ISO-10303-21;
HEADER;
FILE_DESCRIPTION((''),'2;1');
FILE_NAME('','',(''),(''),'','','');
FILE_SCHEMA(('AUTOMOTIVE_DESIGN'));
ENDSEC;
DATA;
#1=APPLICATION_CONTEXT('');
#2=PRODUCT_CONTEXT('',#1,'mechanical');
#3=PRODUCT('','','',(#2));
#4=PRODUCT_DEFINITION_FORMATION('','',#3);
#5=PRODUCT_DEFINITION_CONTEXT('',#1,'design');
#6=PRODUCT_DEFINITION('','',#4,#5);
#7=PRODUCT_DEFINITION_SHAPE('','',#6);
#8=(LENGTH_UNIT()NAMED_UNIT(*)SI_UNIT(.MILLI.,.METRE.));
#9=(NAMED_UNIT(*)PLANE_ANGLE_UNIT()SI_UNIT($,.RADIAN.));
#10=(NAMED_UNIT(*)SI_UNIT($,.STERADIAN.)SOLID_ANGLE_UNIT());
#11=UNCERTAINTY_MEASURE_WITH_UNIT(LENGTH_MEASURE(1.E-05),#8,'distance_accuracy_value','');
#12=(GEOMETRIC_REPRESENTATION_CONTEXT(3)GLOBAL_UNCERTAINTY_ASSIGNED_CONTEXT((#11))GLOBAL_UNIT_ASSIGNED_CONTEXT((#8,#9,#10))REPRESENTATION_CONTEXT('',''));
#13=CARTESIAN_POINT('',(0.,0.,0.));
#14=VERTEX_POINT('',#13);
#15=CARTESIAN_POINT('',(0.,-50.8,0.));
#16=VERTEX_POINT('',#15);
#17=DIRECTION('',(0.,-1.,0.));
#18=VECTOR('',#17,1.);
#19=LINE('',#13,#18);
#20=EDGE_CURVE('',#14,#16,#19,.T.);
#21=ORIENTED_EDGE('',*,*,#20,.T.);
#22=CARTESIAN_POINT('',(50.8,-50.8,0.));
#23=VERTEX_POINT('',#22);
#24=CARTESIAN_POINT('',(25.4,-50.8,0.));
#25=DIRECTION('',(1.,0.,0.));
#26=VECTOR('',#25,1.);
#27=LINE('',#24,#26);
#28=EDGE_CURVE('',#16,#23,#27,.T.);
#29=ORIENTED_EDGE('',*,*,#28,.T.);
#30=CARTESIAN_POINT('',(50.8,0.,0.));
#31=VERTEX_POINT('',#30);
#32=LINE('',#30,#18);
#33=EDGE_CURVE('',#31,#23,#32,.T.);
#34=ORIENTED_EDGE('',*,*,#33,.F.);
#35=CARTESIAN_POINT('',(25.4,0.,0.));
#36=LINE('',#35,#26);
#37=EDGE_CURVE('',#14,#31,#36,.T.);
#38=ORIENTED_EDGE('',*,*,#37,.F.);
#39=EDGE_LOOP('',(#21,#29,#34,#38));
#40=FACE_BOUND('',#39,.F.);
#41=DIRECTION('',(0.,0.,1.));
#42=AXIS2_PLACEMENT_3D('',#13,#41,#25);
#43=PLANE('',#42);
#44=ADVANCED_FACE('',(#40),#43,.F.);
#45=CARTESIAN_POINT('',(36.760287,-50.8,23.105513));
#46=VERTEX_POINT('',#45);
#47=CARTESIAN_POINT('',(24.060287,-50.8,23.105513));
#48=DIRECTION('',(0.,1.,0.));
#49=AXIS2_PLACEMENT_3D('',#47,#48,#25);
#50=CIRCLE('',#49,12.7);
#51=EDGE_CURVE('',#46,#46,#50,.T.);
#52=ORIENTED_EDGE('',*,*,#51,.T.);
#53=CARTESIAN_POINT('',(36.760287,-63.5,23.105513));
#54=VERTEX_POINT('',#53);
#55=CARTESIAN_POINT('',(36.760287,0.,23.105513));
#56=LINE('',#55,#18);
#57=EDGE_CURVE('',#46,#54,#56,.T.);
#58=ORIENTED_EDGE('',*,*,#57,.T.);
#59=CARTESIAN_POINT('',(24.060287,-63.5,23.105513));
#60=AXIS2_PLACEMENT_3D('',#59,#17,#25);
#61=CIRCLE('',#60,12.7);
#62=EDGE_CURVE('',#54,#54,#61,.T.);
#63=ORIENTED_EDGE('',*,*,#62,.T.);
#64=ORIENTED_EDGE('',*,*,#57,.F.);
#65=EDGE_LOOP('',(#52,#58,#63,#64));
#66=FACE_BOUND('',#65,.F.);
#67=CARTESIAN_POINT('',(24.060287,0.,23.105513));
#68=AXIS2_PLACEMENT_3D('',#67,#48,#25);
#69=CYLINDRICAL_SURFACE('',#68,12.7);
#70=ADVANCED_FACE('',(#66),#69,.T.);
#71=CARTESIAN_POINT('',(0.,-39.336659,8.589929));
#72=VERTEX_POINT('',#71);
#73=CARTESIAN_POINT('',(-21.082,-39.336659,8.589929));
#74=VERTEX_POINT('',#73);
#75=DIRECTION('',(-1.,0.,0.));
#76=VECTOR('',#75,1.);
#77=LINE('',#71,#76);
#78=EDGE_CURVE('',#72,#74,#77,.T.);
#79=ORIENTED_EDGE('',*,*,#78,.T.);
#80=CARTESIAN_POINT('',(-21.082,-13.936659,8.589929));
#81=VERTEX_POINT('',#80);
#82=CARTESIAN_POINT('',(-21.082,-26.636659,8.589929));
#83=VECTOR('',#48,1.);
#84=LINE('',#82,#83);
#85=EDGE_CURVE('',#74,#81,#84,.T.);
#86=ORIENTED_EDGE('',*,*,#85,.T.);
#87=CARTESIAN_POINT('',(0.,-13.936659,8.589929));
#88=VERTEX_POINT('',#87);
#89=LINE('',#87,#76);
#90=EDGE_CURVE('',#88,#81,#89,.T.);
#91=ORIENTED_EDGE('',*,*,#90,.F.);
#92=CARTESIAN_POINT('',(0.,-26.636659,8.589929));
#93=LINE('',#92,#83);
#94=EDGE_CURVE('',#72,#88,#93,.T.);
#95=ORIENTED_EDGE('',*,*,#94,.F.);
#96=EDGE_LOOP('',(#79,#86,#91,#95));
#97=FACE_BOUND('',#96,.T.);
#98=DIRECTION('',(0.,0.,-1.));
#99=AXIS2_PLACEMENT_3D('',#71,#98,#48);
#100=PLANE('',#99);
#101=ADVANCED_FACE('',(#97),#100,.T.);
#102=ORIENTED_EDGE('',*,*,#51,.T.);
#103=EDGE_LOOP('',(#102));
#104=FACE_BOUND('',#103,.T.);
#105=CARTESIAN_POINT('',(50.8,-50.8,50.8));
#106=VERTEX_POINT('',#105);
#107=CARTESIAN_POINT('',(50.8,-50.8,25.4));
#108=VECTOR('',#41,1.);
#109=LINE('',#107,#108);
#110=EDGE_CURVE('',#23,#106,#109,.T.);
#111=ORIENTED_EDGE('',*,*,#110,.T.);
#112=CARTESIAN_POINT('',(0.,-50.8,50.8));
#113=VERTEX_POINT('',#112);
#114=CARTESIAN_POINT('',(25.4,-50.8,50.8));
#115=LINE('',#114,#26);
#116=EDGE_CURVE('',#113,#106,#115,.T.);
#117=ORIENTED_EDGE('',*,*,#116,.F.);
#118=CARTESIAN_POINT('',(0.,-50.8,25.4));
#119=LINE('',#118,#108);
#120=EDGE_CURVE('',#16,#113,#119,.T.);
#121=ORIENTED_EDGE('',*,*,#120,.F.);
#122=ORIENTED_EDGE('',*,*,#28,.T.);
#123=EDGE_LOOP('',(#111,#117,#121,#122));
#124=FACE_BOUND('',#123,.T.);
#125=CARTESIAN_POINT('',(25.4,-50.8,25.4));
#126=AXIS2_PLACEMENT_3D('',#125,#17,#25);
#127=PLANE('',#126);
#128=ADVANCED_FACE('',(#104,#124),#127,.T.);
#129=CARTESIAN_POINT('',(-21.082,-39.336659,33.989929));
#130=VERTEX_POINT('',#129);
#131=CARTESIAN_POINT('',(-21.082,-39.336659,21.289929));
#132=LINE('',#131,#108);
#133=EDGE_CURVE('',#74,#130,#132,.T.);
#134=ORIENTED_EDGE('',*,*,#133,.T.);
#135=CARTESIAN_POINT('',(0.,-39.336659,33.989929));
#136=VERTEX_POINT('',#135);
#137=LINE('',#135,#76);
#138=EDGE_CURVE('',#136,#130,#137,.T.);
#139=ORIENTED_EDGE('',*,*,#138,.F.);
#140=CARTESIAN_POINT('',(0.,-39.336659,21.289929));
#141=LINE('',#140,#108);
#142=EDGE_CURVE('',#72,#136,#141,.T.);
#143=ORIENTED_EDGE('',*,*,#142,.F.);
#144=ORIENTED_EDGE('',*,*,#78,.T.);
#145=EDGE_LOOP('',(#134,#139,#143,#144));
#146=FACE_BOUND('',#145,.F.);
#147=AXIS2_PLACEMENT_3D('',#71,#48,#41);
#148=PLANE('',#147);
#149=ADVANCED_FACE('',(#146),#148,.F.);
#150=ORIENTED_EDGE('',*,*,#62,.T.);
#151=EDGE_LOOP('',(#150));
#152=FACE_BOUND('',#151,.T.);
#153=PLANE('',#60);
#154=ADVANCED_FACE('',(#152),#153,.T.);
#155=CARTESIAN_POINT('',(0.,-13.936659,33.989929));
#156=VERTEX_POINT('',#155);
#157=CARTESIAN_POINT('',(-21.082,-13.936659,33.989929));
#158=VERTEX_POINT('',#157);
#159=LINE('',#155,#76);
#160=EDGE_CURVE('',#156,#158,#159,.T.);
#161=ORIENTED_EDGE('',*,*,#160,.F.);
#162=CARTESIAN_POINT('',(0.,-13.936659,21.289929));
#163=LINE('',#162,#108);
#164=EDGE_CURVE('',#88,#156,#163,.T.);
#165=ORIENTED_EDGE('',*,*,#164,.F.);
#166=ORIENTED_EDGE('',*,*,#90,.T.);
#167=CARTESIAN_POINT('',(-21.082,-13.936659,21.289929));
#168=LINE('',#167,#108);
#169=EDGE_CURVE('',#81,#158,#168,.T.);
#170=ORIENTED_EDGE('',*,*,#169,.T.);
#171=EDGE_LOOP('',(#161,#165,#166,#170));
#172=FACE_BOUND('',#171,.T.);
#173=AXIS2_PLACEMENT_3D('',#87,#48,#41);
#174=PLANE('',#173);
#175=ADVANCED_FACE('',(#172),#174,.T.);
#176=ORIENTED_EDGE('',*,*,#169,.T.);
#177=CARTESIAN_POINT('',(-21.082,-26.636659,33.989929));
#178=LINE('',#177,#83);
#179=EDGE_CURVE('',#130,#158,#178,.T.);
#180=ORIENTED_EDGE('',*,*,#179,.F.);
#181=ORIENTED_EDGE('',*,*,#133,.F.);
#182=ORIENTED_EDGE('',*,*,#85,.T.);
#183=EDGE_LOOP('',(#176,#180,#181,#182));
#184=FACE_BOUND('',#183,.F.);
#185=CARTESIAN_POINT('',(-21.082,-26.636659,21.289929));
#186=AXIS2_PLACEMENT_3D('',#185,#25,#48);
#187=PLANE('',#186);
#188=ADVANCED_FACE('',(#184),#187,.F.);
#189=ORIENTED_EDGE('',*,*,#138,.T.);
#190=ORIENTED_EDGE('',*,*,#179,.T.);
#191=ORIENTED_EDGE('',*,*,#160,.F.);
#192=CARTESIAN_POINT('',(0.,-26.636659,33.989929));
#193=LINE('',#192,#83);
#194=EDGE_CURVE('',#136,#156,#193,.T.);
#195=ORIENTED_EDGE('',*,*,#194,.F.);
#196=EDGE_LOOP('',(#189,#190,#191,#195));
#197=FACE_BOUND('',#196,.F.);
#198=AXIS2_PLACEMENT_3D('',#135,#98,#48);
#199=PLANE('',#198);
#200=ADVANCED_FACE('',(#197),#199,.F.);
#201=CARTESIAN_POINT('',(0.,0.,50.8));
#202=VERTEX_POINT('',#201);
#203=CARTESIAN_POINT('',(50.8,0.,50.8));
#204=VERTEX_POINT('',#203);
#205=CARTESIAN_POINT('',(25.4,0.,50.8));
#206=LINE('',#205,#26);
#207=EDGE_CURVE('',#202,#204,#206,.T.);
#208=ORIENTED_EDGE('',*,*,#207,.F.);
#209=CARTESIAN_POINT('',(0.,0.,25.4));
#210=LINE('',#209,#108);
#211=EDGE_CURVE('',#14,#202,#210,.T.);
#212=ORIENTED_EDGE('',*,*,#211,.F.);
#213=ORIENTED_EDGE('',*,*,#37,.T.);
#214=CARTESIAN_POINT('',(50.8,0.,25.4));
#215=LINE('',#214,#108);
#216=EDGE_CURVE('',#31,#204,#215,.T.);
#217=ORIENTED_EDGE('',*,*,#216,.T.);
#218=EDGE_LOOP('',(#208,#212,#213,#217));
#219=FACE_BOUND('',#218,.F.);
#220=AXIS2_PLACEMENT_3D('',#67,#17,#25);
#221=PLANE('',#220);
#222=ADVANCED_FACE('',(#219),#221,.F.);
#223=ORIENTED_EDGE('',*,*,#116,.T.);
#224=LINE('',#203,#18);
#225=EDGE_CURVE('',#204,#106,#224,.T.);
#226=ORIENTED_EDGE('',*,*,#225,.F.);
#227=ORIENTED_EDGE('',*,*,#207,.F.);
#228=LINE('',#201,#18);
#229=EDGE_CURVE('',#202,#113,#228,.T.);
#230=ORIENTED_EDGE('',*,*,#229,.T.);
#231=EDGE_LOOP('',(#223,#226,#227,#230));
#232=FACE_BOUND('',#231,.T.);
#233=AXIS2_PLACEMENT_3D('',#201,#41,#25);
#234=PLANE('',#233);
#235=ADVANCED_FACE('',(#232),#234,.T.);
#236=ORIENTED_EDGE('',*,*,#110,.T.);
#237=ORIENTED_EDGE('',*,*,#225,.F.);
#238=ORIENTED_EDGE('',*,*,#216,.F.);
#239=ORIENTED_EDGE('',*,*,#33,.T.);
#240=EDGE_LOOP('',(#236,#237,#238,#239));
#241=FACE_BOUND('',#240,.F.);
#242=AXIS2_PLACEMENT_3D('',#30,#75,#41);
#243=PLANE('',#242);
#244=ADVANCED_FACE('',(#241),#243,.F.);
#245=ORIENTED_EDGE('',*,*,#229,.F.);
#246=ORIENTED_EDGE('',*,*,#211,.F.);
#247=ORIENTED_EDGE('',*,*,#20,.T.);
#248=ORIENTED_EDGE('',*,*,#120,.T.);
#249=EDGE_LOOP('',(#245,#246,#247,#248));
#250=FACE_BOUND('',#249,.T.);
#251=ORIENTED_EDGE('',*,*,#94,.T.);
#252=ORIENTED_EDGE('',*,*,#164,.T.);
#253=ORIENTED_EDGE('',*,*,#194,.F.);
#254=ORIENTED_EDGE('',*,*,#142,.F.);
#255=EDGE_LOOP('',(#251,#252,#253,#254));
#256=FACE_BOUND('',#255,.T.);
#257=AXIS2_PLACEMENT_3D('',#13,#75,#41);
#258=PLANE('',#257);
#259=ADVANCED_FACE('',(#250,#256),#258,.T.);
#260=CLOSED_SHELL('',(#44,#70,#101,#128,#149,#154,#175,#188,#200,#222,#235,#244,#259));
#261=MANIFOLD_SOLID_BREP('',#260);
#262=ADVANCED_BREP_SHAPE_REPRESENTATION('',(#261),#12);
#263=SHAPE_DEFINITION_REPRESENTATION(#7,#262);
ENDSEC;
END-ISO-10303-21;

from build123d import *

# Parameters (mm, degrees)
F0_W     = 50.8
F0_H     = 50.8
F1_DEPTH = 50.8
F2_R     = 12.7
F3_DEPTH = 63.5
F4_W     = 25.4
F4_H     = 25.4
F5_DEPTH = 21.082


with BuildPart() as f1:
    # F0 (on Front) → F1 (new body)
    with BuildSketch(Plane.XZ):
        with Locations((25.4, 25.4)):
            Rectangle(F0_W, F0_H)
    extrude(amount=F1_DEPTH)

    # F2 (on Front) → F3 (join)
    with BuildSketch(Plane.XZ):
        with Locations((24.060287, 23.105513)):
            Circle(F2_R)
    extrude(amount=F3_DEPTH)

    # F4 (on Right) → F5 (join)
    with BuildSketch(Plane.YZ):
        with Locations((-26.636659, 21.289929)):
            Rectangle(F4_W, F4_H)
    extrude(amount=-F5_DEPTH)


solid = f1.part
